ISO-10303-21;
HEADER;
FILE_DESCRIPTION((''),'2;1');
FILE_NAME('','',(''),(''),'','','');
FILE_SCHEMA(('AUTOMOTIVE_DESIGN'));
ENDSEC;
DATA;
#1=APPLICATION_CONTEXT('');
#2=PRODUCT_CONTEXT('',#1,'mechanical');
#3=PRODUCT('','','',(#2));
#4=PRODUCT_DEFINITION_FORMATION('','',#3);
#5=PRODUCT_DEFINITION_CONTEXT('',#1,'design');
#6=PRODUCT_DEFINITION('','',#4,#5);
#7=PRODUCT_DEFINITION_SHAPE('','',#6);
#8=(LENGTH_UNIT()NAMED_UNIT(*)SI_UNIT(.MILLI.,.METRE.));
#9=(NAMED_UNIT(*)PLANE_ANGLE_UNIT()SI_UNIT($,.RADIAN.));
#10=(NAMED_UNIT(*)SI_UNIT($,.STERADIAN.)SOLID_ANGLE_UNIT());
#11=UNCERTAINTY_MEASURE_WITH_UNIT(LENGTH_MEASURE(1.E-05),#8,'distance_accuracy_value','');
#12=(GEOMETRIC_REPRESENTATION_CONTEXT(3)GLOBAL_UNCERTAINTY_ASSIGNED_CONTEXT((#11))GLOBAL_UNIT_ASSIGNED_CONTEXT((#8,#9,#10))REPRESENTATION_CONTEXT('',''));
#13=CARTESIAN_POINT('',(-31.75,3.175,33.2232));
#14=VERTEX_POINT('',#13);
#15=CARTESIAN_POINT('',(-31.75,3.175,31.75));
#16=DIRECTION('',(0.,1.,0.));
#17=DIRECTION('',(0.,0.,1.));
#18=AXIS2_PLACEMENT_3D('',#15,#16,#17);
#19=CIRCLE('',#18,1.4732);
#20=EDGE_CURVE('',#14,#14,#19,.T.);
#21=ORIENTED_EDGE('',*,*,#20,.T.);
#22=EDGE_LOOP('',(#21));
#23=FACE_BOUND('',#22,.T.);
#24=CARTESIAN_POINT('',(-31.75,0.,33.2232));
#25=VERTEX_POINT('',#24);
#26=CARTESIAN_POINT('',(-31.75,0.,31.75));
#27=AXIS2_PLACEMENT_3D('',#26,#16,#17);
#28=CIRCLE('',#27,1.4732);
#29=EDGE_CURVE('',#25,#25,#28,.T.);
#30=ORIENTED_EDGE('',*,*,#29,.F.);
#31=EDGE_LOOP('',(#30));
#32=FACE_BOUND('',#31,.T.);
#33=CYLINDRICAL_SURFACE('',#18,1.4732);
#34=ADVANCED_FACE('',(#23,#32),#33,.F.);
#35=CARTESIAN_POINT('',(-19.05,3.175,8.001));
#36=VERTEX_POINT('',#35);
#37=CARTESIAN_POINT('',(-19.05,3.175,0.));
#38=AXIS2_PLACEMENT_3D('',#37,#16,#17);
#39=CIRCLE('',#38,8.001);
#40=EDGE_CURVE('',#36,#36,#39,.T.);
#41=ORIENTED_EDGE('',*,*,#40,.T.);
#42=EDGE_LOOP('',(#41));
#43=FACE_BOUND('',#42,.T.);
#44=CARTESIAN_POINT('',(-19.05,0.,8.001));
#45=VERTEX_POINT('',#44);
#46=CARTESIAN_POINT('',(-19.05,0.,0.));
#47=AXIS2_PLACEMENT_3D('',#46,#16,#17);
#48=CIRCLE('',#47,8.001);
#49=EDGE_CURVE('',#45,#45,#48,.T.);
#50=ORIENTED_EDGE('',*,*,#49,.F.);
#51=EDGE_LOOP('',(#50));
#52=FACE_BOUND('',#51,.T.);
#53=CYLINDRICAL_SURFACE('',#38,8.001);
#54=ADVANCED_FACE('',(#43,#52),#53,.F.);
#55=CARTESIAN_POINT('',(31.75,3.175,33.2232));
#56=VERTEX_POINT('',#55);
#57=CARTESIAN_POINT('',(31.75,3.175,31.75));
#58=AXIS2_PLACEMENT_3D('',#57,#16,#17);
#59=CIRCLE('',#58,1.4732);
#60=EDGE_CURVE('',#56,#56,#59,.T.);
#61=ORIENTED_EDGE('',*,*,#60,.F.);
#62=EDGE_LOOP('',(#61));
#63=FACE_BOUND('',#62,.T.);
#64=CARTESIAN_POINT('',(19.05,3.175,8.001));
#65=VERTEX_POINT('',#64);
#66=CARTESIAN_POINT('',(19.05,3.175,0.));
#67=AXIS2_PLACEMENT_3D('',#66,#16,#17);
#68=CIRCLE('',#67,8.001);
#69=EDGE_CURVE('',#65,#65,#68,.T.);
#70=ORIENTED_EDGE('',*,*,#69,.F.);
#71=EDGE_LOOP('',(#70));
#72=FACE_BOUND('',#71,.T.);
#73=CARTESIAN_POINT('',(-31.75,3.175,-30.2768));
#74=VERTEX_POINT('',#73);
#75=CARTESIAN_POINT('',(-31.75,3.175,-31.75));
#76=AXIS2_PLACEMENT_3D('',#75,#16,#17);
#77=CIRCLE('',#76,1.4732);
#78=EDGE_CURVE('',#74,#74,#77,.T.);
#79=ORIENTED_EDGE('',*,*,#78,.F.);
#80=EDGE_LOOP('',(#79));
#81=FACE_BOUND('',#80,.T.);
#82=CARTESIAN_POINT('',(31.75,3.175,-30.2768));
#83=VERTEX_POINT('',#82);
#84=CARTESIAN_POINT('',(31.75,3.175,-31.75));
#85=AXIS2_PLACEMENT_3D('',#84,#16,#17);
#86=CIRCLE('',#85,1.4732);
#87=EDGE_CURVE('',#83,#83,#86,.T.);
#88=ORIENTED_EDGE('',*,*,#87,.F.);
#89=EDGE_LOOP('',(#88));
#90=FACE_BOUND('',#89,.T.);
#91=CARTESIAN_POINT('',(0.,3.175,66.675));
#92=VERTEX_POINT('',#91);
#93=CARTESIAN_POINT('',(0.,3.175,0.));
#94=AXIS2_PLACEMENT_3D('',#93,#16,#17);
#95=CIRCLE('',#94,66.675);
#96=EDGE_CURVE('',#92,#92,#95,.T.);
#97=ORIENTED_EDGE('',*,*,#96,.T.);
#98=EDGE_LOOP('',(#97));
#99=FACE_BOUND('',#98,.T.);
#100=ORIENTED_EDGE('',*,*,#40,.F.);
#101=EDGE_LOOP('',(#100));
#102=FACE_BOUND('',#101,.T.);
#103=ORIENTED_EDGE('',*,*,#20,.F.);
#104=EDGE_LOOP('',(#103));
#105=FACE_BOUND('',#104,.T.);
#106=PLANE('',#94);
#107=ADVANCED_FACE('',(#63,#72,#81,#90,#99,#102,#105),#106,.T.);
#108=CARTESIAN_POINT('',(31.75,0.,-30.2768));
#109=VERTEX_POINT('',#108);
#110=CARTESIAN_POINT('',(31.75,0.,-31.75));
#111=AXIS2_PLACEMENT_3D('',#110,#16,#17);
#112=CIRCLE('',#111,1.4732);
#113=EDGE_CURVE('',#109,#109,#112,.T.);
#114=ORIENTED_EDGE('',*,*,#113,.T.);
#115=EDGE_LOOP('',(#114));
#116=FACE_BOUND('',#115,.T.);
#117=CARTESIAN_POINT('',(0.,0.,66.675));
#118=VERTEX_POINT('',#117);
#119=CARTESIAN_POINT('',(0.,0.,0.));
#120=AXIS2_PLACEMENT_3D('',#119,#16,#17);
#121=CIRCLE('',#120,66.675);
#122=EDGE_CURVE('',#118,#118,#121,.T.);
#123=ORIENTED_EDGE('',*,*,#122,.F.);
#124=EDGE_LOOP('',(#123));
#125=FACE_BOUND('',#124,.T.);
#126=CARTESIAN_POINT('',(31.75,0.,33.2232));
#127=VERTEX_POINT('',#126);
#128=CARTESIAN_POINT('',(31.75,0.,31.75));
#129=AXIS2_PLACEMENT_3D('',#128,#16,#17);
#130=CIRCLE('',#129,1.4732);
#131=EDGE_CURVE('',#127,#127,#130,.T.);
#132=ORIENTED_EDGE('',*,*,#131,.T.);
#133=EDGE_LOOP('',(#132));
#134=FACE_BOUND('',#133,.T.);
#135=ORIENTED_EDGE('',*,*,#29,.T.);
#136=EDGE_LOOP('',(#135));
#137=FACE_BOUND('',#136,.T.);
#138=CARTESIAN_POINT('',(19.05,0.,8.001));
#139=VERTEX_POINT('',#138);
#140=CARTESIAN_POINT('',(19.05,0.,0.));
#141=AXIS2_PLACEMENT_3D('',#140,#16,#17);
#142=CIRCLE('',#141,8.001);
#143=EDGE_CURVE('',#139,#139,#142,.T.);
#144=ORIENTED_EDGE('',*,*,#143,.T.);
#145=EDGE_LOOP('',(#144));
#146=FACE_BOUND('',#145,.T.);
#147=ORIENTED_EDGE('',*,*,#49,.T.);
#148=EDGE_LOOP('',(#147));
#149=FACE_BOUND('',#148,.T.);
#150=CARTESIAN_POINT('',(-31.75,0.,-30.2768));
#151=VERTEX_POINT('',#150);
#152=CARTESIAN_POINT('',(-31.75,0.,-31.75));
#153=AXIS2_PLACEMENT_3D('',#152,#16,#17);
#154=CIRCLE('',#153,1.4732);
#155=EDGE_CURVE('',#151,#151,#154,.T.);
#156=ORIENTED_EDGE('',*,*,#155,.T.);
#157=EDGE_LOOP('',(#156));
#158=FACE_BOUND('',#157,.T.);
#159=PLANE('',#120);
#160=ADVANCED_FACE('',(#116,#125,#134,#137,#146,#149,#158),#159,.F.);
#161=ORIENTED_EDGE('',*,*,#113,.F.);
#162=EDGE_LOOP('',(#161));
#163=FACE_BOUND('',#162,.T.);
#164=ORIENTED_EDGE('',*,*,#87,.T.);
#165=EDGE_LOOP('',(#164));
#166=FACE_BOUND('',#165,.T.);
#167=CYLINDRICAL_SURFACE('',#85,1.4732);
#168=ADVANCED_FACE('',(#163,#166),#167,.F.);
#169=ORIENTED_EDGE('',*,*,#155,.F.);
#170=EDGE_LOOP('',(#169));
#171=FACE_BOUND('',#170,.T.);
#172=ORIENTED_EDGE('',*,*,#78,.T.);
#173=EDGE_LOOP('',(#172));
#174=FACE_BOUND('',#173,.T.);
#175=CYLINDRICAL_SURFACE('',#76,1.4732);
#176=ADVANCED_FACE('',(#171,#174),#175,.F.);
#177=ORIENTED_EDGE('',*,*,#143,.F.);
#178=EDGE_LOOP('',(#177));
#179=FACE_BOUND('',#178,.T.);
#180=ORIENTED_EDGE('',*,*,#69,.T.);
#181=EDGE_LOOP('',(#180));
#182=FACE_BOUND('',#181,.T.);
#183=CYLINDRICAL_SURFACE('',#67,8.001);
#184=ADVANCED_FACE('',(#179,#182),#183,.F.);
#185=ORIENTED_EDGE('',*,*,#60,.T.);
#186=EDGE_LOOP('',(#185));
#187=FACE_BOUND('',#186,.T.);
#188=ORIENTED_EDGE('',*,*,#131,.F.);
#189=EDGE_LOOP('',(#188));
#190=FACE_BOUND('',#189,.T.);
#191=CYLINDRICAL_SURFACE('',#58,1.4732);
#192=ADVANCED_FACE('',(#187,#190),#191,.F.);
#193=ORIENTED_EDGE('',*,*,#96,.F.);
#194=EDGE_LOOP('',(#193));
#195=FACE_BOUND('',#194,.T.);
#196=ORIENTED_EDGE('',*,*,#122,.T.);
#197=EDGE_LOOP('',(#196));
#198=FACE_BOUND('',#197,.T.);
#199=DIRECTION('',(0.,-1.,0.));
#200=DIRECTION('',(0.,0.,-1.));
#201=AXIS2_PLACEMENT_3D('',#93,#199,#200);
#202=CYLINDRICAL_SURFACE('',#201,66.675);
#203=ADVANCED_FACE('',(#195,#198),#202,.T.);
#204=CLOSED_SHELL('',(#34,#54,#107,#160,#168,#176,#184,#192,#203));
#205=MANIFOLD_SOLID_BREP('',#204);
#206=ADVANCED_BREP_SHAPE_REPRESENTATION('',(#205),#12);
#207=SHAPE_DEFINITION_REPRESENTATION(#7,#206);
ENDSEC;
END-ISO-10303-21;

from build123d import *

# Parameters (mm, degrees)
SKETCH1_R             = 66.675
BOSS_EXTRUDE1_DEPTH   = 3.175
HOLE1_D               = 16.002
F_4_CLEARANCE_HOLE1_D = 2.9464
LPATTERN1_COUNT       = 2
LPATTERN1_PITCH       = 63.5
LPATTERN1_COUNT_DIR2  = 2
LPATTERN1_PITCH_DIR2  = 63.5


with BuildPart() as part:
    # Sketch1 → Boss-Extrude1 (new body)
    with BuildSketch(Plane(origin=(0, 0, 0), x_dir=(1, 0, 0), z_dir=(0, 1, 0))):
        with Locations(Location((0, 0, 0), (0, 0, 270))):
            Circle(SKETCH1_R)
    extrude(amount=BOSS_EXTRUDE1_DEPTH)

    # Hole1 (through all)
    with Locations(Plane(origin=(0, 3.175, 0), x_dir=(1, 0, 0), z_dir=(0, 1, 0))):
        with Locations((19.05, 0)):
            hole1 = Hole(HOLE1_D / 2)

    # Mirror1: Hole1 across plane
    add(hole1.mirror(Plane(origin=(0, 0, 0), x_dir=(0, 0, 1), z_dir=(1, 0, 0))), mode=Mode.SUBTRACT)

    # #4 Clearance Hole1 (through all)
    with Locations(Plane(origin=(0, 3.175, 0), x_dir=(1, 0, 0), z_dir=(0, 1, 0))):
        with Locations((-31.75, 31.75)):
            f_4_clearance_hole1 = Hole(F_4_CLEARANCE_HOLE1_D / 2)

    # LPattern1: 4 Clearance Hole1 2 × 2
    with Locations(*[(i * LPATTERN1_PITCH, 0, j * LPATTERN1_PITCH_DIR2) for i in range(LPATTERN1_COUNT) for j in range(LPATTERN1_COUNT_DIR2) if (i, j) != (0, 0)]):
        add(f_4_clearance_hole1, mode=Mode.SUBTRACT)


solid = part.part
